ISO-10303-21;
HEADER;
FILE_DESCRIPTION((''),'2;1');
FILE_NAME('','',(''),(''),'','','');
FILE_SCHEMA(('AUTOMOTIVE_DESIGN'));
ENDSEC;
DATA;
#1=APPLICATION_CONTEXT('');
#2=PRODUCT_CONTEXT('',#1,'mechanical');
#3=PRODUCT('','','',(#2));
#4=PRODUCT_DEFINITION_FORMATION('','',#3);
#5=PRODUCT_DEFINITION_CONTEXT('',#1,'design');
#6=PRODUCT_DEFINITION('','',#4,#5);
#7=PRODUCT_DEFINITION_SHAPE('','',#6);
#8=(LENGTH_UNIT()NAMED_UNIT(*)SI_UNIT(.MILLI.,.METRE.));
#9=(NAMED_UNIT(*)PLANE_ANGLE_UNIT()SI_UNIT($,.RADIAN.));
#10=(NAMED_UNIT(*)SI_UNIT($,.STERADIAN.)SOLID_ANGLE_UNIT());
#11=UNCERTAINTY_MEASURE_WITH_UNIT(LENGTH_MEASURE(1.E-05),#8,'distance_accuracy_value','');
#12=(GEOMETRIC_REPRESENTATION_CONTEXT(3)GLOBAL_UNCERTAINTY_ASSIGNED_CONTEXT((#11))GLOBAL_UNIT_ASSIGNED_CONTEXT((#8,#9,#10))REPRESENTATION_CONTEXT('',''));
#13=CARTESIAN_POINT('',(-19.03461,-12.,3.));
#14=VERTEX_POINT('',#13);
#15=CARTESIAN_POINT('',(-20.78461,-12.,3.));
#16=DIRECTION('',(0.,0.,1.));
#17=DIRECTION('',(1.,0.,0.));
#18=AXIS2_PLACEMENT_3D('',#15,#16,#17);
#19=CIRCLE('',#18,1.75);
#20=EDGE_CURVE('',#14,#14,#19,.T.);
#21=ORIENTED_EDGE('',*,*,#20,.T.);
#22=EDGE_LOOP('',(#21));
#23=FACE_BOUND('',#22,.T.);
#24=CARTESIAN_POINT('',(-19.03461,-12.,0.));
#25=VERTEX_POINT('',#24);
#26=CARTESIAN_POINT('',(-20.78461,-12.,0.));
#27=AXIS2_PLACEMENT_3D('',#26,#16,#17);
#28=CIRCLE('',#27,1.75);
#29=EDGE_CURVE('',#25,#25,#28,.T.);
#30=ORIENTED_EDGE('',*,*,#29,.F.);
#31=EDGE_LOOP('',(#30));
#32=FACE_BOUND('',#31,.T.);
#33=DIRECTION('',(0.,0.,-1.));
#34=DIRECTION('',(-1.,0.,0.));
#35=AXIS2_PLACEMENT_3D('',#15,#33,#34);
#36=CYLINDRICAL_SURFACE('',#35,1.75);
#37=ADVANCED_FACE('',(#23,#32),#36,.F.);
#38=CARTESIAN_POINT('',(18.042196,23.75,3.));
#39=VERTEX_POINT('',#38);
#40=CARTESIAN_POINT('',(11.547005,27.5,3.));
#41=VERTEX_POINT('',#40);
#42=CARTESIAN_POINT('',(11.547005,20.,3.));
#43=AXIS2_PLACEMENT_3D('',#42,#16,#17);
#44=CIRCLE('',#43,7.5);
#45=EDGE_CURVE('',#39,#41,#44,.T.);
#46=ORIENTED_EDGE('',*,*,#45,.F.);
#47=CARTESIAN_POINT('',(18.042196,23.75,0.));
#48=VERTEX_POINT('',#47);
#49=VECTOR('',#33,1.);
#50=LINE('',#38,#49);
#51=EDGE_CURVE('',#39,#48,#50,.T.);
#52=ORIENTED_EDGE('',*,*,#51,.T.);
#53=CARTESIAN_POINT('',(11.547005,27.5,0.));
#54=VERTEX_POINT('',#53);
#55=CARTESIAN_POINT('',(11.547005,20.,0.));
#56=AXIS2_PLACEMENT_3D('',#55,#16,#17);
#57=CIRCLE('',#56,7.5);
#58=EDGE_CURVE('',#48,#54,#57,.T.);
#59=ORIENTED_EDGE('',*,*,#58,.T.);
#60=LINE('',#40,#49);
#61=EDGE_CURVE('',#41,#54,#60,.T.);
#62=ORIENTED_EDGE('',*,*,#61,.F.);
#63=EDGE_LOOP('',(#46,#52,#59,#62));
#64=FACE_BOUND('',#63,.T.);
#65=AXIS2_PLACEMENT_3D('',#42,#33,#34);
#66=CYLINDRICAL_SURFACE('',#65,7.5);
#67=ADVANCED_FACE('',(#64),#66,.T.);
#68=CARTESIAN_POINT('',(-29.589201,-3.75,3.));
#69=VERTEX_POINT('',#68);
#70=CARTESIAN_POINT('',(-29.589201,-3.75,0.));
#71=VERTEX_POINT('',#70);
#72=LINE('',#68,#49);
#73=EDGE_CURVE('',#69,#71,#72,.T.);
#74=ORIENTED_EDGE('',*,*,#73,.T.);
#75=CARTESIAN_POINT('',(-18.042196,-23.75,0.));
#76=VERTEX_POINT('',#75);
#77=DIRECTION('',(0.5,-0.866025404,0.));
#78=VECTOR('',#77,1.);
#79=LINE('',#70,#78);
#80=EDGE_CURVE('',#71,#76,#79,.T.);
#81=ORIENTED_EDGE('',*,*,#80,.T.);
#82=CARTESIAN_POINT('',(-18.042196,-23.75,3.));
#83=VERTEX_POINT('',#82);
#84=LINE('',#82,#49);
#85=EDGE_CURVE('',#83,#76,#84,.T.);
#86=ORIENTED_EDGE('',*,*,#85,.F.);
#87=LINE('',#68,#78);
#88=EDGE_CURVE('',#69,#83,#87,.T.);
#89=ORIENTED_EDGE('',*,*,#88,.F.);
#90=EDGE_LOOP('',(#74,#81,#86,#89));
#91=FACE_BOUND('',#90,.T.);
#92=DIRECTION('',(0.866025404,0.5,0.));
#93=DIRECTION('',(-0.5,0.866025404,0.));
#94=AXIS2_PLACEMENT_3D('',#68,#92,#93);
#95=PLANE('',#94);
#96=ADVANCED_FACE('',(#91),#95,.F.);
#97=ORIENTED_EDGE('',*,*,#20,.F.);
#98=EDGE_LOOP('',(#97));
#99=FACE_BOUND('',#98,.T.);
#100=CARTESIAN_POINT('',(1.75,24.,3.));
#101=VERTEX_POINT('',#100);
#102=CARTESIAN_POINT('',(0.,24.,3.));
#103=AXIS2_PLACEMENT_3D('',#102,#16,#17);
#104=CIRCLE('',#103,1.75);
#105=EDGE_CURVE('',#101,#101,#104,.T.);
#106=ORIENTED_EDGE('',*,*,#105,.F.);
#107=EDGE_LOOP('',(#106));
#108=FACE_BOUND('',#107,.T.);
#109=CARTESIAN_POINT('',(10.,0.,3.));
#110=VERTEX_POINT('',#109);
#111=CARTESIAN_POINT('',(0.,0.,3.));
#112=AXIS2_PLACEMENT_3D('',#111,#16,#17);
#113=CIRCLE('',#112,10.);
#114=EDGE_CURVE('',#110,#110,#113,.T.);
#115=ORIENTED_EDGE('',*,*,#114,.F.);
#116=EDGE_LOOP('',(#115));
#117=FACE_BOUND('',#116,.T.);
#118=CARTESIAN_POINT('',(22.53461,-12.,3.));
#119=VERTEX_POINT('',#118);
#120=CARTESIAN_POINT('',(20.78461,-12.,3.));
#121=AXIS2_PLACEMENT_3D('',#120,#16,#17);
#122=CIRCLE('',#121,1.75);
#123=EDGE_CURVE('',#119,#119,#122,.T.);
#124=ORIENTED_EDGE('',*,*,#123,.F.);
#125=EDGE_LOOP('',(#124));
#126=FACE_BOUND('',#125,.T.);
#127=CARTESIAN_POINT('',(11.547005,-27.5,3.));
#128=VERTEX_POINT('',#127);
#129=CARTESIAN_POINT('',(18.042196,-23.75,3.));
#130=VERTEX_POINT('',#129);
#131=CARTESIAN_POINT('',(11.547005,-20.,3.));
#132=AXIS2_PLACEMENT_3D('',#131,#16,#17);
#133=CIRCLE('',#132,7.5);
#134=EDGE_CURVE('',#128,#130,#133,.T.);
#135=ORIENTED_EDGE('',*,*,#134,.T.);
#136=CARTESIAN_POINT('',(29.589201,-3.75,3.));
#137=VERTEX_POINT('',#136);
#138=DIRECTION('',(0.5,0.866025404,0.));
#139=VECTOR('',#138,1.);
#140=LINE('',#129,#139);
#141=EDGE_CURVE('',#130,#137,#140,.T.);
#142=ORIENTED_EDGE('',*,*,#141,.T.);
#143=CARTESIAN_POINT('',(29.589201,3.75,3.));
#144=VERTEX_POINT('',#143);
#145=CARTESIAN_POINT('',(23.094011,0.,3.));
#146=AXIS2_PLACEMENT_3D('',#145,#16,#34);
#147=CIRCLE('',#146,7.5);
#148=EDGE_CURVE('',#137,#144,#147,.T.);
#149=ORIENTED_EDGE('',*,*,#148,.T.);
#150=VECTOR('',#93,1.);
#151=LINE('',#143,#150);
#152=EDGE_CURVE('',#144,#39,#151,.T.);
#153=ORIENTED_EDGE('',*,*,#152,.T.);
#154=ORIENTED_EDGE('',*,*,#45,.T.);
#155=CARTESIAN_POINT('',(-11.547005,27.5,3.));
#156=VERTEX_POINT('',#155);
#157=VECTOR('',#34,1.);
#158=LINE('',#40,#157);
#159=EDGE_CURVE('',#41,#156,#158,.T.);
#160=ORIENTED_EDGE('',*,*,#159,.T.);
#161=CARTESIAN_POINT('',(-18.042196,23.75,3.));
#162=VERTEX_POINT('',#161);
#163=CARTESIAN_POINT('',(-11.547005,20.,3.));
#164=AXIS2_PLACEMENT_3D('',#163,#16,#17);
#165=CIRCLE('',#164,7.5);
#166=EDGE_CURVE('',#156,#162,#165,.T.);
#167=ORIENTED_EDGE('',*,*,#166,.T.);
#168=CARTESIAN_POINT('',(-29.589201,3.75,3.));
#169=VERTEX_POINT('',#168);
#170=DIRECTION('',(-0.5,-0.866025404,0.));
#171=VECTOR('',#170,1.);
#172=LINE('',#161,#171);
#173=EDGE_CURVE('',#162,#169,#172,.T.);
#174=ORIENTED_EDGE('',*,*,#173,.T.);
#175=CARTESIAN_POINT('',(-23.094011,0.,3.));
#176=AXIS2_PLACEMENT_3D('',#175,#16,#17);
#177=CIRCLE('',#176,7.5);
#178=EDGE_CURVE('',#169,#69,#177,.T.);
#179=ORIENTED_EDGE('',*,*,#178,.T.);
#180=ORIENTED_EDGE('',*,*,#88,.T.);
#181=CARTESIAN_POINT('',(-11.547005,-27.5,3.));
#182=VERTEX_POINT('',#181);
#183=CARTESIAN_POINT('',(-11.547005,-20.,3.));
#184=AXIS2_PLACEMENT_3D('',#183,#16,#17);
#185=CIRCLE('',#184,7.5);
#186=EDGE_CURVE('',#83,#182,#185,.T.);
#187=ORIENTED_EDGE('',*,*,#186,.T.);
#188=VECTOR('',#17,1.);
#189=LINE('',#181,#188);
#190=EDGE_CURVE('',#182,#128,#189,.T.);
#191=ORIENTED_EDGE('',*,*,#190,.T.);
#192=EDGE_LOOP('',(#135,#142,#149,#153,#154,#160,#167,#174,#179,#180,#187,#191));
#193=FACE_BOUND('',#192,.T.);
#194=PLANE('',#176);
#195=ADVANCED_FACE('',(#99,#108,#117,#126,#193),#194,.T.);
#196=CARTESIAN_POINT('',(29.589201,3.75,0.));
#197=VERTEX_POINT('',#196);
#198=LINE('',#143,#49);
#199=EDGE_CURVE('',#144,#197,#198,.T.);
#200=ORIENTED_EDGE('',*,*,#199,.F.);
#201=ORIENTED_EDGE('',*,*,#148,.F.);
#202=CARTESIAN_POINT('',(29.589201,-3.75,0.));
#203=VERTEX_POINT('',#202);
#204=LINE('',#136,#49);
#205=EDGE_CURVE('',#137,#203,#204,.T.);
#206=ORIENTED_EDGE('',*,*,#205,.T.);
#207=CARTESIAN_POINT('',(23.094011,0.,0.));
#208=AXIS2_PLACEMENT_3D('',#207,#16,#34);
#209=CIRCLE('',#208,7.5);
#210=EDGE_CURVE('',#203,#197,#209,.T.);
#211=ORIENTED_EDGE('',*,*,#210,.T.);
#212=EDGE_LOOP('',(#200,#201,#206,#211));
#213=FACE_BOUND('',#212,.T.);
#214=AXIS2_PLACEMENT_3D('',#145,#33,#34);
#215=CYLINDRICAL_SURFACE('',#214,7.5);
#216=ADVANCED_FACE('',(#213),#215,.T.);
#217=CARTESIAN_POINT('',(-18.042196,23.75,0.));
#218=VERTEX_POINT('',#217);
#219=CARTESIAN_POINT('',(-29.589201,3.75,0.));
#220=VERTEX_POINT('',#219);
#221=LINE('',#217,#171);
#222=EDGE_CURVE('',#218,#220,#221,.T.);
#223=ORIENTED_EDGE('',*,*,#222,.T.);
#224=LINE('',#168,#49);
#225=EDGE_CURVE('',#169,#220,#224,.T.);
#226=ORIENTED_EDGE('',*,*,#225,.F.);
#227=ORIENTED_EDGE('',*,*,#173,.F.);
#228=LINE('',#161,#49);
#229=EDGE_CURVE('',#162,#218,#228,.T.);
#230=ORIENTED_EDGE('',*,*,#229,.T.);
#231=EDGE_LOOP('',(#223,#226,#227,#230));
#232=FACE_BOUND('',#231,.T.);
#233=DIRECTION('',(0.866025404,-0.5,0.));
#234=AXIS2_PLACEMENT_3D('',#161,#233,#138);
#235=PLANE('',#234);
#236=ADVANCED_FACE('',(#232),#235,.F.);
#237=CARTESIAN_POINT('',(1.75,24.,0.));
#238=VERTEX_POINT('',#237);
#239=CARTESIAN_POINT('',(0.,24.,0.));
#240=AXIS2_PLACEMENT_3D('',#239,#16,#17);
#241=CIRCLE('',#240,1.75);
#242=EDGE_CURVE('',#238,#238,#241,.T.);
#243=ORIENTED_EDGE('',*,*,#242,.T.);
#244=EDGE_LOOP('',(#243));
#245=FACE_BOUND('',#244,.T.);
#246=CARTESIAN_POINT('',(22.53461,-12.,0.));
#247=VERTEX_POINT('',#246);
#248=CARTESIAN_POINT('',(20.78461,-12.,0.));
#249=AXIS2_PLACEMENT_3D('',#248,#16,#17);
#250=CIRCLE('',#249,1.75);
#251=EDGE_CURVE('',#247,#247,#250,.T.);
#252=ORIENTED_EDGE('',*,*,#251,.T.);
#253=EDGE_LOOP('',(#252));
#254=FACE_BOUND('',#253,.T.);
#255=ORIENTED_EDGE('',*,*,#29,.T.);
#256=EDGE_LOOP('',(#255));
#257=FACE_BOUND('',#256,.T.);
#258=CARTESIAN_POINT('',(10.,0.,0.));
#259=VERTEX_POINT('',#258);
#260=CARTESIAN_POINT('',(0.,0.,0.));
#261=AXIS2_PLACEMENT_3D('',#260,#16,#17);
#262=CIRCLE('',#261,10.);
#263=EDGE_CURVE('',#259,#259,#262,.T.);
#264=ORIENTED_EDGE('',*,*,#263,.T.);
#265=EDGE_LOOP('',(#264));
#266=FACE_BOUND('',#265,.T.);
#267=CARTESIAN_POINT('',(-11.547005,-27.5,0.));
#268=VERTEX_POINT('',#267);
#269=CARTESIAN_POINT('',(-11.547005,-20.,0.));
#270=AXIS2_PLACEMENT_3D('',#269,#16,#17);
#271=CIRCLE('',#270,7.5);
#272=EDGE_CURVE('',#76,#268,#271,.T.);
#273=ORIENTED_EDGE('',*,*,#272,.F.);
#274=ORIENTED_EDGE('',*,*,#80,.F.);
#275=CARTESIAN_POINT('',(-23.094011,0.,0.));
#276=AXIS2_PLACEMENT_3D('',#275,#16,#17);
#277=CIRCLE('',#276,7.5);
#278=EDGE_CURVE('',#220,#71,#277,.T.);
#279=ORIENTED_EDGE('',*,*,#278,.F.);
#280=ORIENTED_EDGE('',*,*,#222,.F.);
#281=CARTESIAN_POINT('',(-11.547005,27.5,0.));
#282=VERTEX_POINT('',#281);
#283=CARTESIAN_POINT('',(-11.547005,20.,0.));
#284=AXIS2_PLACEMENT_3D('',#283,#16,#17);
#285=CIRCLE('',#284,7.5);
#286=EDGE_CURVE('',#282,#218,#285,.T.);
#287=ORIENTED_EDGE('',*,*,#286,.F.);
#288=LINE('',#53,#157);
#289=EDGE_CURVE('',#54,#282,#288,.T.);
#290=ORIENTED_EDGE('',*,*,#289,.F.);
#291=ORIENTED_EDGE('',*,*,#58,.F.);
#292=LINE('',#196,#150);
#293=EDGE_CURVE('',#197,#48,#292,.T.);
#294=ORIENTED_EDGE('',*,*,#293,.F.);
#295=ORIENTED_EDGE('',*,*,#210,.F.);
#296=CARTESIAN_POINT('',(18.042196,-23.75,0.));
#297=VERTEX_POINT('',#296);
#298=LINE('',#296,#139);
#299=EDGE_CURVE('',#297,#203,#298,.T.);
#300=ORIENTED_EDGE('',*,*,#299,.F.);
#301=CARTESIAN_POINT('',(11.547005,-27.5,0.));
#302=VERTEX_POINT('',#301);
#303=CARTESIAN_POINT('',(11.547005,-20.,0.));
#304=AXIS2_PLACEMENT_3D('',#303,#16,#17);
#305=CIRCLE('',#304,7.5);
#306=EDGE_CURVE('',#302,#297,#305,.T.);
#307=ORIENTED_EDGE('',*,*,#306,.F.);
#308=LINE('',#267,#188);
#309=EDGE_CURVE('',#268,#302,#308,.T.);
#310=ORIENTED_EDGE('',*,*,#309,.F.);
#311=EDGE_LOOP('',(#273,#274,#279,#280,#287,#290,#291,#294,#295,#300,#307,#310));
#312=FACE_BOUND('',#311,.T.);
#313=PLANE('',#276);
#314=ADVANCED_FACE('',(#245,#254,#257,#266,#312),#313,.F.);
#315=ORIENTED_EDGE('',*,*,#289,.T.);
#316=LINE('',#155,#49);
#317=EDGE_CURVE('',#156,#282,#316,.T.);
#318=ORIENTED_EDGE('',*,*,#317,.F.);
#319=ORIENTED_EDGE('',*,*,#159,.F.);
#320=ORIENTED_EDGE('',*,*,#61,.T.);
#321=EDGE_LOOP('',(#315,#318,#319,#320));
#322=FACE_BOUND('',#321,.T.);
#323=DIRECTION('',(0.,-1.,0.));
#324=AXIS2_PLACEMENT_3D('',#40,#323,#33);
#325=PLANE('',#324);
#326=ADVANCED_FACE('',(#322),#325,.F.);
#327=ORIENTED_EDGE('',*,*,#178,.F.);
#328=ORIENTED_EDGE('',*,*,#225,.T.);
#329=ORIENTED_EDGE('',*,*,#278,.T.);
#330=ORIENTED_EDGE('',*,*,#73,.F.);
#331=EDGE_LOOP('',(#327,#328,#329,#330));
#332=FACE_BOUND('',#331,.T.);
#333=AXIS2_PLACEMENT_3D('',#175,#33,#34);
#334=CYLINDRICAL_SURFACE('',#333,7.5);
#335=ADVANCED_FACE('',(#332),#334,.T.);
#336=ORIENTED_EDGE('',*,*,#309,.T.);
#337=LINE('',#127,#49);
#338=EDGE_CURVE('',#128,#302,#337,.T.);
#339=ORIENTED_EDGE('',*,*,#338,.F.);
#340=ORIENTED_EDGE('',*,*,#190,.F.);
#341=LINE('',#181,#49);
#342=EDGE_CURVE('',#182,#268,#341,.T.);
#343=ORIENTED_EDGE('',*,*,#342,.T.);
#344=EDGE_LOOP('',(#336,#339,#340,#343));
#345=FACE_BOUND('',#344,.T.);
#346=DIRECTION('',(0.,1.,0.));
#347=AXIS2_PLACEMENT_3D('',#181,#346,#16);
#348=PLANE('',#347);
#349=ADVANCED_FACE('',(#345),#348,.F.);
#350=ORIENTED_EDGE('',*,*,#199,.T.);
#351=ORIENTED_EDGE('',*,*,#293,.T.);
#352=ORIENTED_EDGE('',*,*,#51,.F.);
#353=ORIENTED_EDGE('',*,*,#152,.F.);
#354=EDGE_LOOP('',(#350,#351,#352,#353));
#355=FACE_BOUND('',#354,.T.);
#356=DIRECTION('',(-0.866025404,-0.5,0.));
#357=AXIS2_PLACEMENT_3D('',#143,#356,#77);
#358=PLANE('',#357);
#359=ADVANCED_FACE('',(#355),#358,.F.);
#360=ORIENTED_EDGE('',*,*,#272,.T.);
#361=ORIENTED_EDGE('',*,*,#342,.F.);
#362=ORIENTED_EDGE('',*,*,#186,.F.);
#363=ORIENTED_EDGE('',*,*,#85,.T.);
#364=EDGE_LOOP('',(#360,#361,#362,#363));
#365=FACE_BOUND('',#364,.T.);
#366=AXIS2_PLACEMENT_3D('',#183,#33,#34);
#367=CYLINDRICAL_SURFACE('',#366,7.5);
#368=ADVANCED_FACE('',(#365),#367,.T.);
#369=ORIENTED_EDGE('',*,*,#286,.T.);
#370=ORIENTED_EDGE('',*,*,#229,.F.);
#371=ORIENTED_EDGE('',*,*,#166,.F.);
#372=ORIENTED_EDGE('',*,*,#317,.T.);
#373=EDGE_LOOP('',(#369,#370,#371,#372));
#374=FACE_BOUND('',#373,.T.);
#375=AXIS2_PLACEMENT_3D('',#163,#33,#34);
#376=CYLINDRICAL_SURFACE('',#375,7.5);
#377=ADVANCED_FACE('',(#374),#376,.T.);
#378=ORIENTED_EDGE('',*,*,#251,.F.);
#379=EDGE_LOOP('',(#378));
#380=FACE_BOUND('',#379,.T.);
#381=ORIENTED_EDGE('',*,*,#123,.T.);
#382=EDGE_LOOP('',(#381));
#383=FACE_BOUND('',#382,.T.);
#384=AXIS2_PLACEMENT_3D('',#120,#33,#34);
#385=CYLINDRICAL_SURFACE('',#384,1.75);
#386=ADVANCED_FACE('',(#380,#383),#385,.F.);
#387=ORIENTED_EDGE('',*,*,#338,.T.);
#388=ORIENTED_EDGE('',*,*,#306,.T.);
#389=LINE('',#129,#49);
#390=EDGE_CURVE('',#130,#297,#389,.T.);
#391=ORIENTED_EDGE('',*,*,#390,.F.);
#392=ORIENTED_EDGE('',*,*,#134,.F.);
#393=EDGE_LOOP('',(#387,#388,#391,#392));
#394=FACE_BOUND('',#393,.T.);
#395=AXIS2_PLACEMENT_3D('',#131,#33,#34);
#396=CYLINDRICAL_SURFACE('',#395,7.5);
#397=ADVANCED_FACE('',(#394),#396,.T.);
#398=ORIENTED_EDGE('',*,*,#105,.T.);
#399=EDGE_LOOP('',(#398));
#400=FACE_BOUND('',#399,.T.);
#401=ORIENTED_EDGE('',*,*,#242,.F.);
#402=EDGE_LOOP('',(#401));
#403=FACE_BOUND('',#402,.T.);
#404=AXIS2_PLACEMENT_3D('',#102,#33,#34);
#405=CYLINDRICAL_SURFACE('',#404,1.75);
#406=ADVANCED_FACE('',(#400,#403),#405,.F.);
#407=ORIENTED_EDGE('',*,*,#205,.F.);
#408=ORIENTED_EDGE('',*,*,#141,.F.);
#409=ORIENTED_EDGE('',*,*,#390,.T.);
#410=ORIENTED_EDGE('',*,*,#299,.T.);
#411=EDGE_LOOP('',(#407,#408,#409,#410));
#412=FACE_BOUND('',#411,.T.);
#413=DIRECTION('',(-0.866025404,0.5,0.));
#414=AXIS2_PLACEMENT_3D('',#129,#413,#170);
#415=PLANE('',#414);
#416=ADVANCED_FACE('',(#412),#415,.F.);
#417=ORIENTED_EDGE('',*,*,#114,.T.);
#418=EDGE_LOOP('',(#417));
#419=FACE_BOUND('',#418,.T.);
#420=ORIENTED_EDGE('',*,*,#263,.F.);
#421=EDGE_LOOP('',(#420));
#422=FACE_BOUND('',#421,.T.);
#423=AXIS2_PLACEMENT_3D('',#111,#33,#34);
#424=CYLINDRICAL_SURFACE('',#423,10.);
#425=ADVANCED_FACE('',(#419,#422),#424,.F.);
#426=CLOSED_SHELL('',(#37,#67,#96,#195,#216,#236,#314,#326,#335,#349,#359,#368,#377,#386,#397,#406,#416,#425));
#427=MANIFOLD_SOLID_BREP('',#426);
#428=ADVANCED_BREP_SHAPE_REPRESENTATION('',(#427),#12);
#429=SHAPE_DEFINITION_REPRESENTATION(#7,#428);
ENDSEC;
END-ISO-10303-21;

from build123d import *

# Parameters (mm, degrees)
SKETCH_1_R      = 1.75
SKETCH_1_R_2    = 10
EXTRUDE_1_DEPTH = 3


with BuildPart() as part:
    # Эскиз1 → Бобышка-Вытянуть1 (new body)
    with BuildSketch(Plane.XY):
        with BuildLine():
            Line((29.589201296, 3.75), (18.042195912, 23.75))
            ThreePointArc((18.042195912, 23.75), (15.297005384, 26.495190528), (11.547005384, 27.5))
            Line((11.547005384, 27.5), (-11.547005384, 27.5))
            ThreePointArc((-11.547005384, 27.5), (-15.297005384, 26.495190528), (-18.042195912, 23.75))
            Line((-18.042195912, 23.75), (-29.589201296, 3.75))
            ThreePointArc((-29.589201296, 3.75), (-30.594010768, 0), (-29.589201296, -3.75))
            Line((-29.589201296, -3.75), (-18.042195912, -23.75))
            ThreePointArc((-18.042195912, -23.75), (-15.297005384, -26.495190528), (-11.547005384, -27.5))
            Line((-11.547005384, -27.5), (11.547005384, -27.5))
            ThreePointArc((11.547005384, -27.5), (15.297005384, -26.495190528), (18.042195912, -23.75))
            Line((18.042195912, -23.75), (29.589201296, -3.75))
            ThreePointArc((29.589201296, -3.75), (30.594010768, 0), (29.589201296, 3.75))
        make_face()
        with Locations((0, 24)):
            Circle(SKETCH_1_R, mode=Mode.SUBTRACT)
        with Locations((20.784609691, -12)):
            Circle(SKETCH_1_R, mode=Mode.SUBTRACT)
        with Locations((-20.784609691, -12)):
            Circle(SKETCH_1_R, mode=Mode.SUBTRACT)
        Circle(SKETCH_1_R_2, mode=Mode.SUBTRACT)
    extrude(amount=EXTRUDE_1_DEPTH)


solid = part.part
